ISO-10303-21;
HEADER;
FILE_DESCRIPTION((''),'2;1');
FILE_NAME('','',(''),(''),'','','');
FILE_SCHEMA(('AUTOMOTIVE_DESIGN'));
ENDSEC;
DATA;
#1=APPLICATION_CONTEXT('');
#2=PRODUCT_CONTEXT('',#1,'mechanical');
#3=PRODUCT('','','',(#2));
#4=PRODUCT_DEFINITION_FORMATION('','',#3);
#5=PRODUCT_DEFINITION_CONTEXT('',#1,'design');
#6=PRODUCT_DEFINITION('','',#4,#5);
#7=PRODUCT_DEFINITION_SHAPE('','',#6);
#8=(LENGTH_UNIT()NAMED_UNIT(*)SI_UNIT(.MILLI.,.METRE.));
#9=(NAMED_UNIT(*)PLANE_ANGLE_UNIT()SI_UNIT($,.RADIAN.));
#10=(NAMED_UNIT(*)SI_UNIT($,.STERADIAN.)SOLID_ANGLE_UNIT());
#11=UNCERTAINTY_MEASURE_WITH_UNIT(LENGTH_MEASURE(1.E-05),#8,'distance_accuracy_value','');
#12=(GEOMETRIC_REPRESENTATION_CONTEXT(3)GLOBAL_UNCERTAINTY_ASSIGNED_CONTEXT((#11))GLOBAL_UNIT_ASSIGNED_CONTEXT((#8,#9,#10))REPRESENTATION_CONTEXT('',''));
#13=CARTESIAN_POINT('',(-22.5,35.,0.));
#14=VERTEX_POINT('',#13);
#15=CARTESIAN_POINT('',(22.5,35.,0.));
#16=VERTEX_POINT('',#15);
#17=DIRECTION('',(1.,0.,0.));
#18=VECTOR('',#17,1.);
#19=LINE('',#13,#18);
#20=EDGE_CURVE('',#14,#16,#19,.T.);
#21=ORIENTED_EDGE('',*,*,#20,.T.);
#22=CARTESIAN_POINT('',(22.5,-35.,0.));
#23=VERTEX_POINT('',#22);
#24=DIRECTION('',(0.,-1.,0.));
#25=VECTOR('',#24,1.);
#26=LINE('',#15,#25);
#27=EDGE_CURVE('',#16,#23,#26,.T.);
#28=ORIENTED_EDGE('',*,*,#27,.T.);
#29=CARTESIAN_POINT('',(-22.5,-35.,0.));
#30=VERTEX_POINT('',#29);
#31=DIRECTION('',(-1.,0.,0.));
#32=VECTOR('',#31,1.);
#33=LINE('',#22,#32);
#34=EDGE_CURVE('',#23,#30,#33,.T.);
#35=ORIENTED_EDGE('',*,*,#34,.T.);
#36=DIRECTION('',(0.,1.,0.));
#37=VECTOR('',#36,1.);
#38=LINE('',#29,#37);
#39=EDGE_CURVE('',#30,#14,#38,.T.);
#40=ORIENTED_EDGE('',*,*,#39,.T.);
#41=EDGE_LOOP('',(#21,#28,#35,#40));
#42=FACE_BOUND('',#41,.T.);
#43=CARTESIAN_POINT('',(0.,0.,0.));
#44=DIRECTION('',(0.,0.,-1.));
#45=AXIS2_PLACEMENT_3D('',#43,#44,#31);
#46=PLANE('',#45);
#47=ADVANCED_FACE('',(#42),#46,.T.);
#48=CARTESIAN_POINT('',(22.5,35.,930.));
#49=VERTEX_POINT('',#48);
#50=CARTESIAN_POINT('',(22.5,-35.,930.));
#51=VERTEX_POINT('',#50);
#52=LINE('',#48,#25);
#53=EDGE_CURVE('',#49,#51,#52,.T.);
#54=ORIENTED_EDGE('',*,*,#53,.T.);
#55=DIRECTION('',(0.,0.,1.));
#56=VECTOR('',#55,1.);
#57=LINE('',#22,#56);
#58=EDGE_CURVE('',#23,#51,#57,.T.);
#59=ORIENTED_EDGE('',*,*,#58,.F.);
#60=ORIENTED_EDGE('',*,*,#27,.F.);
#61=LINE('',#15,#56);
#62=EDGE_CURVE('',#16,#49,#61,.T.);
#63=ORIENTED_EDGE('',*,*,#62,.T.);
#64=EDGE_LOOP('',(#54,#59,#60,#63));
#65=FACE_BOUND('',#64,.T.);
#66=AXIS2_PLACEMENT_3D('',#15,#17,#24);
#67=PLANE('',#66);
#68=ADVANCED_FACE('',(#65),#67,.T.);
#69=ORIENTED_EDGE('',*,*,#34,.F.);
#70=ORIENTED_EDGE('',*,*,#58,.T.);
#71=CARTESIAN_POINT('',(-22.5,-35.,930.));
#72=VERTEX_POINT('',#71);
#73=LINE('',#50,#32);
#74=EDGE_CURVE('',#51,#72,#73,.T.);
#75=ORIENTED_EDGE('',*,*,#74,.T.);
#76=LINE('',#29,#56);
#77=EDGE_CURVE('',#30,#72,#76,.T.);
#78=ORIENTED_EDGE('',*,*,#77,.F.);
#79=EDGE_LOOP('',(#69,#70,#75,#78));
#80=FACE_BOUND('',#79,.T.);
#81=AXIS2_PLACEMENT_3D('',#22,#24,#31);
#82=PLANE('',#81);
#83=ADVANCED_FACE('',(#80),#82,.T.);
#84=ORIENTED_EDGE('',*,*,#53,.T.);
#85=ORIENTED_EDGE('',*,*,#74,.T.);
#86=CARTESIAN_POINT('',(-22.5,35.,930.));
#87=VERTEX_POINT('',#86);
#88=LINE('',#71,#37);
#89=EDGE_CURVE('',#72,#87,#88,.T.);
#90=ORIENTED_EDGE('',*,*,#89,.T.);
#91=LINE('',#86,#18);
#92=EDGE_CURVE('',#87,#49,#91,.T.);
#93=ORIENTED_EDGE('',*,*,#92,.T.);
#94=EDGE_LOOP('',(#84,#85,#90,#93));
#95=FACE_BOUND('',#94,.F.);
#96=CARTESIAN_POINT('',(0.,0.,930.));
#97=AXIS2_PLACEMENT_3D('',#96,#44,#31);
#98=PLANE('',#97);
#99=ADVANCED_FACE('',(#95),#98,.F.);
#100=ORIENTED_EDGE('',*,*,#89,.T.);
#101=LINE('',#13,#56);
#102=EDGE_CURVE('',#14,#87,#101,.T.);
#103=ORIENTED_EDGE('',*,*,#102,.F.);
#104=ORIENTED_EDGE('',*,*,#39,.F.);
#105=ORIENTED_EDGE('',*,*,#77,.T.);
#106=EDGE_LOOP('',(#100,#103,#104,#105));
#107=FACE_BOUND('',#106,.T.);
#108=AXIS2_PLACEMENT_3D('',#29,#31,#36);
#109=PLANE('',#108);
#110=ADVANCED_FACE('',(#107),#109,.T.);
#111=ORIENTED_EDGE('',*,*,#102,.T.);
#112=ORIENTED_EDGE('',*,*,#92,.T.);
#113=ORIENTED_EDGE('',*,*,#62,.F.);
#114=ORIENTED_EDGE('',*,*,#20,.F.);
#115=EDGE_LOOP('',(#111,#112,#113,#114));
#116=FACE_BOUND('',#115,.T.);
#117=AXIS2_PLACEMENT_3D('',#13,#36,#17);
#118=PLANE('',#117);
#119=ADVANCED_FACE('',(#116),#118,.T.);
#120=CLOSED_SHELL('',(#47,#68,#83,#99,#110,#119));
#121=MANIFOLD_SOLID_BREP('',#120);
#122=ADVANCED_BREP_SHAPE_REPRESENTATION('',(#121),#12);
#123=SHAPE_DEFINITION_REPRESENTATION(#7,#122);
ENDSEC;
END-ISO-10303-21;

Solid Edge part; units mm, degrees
sketch "Sketch1" plane through (0, 0, 0) normal (0, 0, -1) x (-1, 0, 0)
  line L0 (-22.5, -35) -> (22.5, -35)
  line L1 (22.5, -35) -> (22.5, 35)
  line L2 (22.5, 35) -> (-22.5, 35)
  line L3 (-22.5, 35) -> (-22.5, -35)
extrude "Protrusion1" add sketch "Sketch1" against normal blind 930
properties material "Wood, Pine"
